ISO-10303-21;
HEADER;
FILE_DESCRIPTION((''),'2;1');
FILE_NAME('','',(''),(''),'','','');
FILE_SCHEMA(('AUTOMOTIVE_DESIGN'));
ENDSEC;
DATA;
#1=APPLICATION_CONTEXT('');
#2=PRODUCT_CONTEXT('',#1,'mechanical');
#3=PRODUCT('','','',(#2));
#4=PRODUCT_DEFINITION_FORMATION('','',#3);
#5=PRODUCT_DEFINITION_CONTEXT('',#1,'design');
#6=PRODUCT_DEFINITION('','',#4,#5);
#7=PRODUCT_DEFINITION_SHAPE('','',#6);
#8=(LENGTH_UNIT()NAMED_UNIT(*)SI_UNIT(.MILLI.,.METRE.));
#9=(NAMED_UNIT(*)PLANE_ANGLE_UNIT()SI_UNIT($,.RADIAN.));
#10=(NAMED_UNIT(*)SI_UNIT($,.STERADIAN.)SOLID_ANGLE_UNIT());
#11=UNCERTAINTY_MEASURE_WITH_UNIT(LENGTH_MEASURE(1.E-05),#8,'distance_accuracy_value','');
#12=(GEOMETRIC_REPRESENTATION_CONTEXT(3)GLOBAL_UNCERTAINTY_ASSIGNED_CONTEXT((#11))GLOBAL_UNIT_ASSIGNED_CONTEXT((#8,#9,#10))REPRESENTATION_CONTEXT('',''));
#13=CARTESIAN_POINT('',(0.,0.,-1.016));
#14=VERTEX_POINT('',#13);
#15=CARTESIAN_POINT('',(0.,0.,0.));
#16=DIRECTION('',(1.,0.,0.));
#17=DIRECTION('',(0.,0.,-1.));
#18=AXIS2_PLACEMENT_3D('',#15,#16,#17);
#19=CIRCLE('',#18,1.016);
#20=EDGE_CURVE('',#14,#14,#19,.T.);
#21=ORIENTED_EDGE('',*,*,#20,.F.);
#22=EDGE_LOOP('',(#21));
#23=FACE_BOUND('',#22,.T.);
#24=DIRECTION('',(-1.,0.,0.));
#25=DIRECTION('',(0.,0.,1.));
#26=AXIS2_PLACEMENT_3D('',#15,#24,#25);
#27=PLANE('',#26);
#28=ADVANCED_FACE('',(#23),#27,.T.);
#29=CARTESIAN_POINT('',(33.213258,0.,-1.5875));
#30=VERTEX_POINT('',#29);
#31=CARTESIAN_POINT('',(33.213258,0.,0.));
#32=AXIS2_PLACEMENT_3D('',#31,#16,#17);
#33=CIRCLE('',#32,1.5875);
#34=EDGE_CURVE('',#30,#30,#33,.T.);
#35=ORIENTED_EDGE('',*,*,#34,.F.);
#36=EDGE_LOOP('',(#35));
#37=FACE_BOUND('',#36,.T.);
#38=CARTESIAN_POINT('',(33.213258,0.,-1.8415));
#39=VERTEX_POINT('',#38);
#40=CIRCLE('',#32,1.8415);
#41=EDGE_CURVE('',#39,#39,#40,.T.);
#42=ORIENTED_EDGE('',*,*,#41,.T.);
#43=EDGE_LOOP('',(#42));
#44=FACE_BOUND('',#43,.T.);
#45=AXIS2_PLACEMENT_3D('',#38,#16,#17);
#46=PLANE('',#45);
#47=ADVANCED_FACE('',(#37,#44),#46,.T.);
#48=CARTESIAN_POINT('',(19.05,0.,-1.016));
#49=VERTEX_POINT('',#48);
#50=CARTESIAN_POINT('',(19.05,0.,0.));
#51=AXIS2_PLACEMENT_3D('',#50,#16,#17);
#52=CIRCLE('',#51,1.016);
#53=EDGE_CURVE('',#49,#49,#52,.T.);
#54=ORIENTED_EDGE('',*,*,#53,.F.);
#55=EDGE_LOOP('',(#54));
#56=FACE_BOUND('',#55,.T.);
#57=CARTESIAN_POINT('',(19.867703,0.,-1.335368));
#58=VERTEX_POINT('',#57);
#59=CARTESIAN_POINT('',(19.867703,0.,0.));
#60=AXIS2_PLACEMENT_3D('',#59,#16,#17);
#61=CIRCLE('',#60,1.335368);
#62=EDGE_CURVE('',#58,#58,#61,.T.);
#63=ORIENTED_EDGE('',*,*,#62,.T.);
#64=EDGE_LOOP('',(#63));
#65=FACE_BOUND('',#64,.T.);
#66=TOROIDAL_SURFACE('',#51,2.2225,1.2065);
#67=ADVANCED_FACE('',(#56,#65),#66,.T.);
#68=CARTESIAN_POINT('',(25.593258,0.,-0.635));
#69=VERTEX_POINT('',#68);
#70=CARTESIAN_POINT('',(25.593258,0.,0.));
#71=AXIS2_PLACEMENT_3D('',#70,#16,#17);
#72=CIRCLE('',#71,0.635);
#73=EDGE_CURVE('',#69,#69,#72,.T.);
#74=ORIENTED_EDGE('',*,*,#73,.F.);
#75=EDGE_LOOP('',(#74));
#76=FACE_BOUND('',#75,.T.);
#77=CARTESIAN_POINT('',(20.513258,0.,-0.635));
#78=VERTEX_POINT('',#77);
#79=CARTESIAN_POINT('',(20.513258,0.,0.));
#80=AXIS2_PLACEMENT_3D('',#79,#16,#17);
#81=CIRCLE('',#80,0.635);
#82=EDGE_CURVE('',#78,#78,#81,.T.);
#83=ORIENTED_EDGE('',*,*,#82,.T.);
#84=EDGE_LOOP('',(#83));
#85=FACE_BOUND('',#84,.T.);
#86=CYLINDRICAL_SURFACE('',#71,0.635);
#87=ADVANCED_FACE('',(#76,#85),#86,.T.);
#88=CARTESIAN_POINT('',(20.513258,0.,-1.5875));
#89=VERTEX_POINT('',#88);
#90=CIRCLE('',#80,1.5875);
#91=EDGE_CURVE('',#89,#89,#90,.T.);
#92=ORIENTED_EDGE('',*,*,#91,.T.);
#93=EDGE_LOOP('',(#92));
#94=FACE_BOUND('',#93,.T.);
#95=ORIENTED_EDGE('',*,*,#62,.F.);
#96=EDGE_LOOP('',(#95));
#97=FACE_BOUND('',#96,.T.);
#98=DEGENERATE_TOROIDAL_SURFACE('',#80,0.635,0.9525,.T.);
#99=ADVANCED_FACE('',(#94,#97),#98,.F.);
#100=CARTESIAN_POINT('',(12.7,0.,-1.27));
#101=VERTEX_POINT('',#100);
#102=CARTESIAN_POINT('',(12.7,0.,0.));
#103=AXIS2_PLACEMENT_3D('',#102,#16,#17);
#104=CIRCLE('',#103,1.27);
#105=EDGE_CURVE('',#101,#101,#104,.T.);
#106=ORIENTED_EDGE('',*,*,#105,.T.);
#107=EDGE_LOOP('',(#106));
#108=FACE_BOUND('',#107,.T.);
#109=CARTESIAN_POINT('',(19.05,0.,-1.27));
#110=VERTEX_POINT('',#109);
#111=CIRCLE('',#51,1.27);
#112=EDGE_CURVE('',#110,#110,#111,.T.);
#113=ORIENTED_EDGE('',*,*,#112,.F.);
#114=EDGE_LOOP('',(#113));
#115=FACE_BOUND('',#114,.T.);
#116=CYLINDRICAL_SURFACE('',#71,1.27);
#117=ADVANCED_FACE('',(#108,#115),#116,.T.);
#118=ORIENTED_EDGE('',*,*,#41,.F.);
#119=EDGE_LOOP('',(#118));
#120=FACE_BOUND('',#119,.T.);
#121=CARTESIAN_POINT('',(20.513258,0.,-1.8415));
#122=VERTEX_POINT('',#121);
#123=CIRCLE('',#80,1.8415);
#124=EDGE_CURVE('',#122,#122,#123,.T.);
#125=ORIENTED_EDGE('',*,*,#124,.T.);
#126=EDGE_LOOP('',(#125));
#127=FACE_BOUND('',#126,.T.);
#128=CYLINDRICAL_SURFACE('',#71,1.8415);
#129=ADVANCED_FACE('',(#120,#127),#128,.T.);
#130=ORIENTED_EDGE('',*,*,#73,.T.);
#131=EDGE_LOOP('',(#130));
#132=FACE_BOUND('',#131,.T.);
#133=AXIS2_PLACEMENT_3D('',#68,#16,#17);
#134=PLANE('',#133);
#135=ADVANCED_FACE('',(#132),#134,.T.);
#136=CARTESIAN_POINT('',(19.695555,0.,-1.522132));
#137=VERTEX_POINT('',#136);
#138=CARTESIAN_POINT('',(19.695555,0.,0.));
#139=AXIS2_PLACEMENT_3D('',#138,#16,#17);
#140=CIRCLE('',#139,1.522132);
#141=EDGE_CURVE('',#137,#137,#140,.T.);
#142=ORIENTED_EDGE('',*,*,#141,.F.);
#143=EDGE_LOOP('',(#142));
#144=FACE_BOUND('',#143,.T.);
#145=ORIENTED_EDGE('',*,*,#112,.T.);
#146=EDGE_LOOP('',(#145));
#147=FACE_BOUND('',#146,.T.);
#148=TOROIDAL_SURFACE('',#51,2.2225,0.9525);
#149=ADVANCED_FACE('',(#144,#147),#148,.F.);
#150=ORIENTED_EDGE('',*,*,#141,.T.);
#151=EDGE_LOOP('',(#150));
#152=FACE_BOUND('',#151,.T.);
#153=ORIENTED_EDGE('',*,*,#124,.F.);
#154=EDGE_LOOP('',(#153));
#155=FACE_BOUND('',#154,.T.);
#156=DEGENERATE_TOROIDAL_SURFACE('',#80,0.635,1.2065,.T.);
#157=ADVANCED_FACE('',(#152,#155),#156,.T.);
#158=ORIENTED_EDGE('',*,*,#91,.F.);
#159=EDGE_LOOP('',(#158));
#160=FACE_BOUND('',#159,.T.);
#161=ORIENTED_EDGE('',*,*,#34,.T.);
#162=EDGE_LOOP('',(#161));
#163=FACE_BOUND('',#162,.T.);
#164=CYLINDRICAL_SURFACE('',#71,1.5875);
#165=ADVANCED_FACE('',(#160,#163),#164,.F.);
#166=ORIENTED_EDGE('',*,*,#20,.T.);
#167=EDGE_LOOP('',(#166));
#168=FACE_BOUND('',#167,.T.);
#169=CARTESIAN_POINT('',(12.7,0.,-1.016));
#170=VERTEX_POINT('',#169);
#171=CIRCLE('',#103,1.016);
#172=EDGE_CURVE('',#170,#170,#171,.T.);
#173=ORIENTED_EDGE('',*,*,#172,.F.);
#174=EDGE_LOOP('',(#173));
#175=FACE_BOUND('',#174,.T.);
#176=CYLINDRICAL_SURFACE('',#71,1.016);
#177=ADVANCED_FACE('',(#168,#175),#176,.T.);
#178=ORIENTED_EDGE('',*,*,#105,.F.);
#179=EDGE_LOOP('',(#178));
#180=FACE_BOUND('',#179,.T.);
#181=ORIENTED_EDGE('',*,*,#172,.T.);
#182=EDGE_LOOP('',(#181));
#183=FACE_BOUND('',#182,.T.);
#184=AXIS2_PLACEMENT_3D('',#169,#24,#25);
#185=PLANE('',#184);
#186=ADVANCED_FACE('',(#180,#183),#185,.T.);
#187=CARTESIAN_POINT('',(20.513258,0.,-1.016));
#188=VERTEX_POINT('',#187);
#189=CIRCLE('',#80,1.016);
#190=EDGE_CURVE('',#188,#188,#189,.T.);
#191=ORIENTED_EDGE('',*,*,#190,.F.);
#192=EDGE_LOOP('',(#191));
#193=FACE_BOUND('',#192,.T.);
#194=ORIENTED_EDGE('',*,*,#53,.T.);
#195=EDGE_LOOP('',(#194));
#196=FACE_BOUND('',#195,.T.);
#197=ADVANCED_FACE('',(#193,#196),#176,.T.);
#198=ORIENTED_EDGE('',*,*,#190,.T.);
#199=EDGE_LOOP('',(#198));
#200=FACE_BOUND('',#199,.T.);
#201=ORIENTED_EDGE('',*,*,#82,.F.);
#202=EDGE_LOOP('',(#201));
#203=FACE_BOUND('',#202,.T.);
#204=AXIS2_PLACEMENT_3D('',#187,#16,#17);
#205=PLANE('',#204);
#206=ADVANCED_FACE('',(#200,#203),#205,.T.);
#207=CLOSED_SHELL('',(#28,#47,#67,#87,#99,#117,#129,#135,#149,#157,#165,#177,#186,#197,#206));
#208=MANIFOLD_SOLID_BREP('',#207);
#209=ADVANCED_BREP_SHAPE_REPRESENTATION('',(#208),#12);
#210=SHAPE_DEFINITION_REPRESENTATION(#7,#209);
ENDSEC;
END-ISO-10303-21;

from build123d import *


with BuildPart() as part:
    # Sketch1 → Revolve1 (revolve)
    with BuildSketch(Plane(origin=(0, 0, 0), x_dir=(1, 0, 0), z_dir=(0, 1, 0))):
        with BuildLine():
            Line((0, 0), (0, 1.016))
            Line((0, 1.016), (12.7, 1.016))
            Line((12.7, 1.016), (12.7, 1.27))
            Line((12.7, 1.27), (19.05, 1.27))
            ThreePointArc((19.05, 1.27), (19.396522774, 1.335269355), (19.695555117, 1.522132353))
            ThreePointArc((19.695555117, 1.522132353), (20.074329418, 1.758825483), (20.513258265, 1.8415))
            Line((20.513258265, 1.8415), (33.213258265, 1.8415))
            Line((33.213258265, 1.8415), (33.213258265, 1.5875))
            Line((33.213258265, 1.5875), (20.513258265, 1.5875))
            ThreePointArc((20.513258265, 1.5875), (20.166735491, 1.522230645), (19.867703148, 1.335367647))
            ThreePointArc((19.867703148, 1.335367647), (19.488928847, 1.098674517), (19.05, 1.016))
            Line((19.05, 1.016), (20.513258265, 1.016))
            Line((20.513258265, 1.016), (20.513258265, 0.635))
            Line((20.513258265, 0.635), (25.593258265, 0.635))
            Line((25.593258265, 0.635), (25.593258265, 0))
            Line((25.593258265, 0), (0, 0))
        make_face()
    revolve(axis=Axis((25.593258265, 0, 0), (-1, 0, 0)))


solid = part.part
